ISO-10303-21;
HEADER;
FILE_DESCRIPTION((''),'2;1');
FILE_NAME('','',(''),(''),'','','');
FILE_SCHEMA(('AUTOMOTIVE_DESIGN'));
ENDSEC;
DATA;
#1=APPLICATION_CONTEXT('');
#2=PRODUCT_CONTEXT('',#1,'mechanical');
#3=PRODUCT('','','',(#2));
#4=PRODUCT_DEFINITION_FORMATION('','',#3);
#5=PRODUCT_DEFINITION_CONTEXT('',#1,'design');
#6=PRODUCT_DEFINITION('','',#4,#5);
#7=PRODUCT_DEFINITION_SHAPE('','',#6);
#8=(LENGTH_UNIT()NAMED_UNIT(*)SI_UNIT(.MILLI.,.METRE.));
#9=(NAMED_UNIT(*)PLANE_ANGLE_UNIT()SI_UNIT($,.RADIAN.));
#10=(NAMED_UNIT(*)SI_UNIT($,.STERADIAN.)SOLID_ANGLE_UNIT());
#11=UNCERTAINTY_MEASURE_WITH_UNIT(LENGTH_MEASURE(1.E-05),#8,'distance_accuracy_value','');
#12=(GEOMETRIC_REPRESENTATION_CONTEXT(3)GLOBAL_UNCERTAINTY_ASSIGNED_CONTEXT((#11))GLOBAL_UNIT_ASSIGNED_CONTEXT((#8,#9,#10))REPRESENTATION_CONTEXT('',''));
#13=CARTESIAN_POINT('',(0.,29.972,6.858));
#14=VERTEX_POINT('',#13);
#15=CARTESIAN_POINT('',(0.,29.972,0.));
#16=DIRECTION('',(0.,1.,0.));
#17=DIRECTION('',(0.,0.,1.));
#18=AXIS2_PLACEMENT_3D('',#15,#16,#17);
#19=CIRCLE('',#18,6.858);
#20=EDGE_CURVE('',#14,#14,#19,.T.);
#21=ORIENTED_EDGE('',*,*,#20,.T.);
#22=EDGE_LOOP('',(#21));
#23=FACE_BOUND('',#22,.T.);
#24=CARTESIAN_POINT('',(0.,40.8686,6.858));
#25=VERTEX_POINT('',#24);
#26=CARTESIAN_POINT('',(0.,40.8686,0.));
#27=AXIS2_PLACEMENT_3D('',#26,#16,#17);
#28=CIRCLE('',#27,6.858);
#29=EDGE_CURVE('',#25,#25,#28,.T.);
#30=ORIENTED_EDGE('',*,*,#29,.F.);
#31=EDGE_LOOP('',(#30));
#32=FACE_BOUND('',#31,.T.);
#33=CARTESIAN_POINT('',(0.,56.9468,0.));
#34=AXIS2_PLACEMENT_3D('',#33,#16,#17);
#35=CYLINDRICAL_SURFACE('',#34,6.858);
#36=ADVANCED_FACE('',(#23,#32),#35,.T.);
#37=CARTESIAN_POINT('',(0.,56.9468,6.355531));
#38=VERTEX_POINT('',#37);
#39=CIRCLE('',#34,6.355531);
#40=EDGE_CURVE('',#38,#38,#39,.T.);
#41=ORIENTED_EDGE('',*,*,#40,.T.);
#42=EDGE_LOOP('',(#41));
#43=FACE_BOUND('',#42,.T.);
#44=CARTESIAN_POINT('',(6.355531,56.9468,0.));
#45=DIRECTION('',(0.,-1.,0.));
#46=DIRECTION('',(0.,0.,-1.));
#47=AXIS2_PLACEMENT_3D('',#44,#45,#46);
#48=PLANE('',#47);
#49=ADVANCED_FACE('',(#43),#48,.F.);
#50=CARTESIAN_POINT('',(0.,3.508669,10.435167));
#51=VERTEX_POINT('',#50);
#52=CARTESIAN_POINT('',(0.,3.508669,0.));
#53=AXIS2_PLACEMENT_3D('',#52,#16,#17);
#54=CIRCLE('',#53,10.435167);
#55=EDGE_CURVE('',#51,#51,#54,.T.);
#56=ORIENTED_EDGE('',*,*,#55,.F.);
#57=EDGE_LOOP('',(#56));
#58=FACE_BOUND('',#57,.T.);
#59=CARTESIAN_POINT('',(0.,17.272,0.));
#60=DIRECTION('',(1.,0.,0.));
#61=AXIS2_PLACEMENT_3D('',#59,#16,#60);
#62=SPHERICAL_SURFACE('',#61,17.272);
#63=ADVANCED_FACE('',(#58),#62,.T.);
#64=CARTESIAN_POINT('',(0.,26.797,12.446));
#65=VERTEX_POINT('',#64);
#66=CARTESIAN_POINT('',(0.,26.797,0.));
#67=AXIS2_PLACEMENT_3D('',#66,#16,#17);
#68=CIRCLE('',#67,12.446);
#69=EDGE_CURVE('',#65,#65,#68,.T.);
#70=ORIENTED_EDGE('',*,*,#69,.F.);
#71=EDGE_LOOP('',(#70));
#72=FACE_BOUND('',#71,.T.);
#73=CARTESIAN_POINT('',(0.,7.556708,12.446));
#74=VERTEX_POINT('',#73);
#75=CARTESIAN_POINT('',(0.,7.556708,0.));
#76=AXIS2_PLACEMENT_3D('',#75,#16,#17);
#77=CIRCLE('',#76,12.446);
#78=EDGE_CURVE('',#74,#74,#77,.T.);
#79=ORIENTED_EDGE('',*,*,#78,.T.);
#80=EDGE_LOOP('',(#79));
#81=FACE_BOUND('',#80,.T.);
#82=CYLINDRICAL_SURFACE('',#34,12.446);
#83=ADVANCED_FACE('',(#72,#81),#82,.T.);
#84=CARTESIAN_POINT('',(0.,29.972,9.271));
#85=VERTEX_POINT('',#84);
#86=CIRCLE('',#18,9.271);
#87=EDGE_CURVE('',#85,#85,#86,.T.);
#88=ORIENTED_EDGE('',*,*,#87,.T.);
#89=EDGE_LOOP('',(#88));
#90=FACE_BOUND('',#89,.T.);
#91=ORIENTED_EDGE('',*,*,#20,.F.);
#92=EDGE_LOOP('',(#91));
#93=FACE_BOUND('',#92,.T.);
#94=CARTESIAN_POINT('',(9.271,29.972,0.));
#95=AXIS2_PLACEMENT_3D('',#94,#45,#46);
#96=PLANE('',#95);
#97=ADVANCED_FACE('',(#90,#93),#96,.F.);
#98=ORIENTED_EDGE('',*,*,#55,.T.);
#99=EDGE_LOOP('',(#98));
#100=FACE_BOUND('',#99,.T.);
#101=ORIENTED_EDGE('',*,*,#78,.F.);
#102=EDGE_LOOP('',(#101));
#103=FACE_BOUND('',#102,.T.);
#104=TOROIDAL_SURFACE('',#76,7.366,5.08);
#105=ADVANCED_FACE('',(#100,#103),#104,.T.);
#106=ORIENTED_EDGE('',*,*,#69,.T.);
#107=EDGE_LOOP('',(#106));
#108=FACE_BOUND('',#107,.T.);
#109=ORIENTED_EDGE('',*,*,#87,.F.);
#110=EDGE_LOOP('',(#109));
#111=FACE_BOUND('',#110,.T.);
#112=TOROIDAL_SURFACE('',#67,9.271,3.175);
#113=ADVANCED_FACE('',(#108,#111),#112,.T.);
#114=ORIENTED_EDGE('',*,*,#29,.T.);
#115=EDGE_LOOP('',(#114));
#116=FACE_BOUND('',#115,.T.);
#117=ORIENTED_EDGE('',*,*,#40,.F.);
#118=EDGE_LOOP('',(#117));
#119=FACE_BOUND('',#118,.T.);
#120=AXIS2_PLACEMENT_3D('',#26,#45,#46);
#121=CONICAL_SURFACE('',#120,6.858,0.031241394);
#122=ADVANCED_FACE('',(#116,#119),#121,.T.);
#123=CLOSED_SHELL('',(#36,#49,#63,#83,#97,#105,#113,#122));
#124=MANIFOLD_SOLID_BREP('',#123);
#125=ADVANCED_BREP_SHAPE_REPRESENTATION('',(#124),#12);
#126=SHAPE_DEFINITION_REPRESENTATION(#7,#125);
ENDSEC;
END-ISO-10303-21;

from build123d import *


with BuildPart() as part:
    # Sketch1 → Revolve1 (revolve)
    with BuildSketch(Plane.XY):
        with BuildLine():
            Line((12.446, 7.556707519), (12.446, 26.797))
            ThreePointArc((12.446, 26.797), (11.51606403, 29.04206403), (9.271, 29.972))
            Line((9.271, 29.972), (6.858, 29.972))
            Line((6.858, 29.972), (6.858, 40.8686))
            Line((6.858, 40.8686), (6.355531141, 56.9468))
            Line((6.355531141, 56.9468), (0, 56.9468))
            Line((0, 56.9468), (0, 0))
            ThreePointArc((0, 0), (5.504622181, 0.900649456), (10.435166667, 3.508668985))
            ThreePointArc((10.435166667, 3.508668985), (11.915602547, 5.296725955), (12.446, 7.556707519))
        make_face()
    revolve(axis=Axis((0, 56.9468, 0), (0, -1, 0)))


solid = part.part
